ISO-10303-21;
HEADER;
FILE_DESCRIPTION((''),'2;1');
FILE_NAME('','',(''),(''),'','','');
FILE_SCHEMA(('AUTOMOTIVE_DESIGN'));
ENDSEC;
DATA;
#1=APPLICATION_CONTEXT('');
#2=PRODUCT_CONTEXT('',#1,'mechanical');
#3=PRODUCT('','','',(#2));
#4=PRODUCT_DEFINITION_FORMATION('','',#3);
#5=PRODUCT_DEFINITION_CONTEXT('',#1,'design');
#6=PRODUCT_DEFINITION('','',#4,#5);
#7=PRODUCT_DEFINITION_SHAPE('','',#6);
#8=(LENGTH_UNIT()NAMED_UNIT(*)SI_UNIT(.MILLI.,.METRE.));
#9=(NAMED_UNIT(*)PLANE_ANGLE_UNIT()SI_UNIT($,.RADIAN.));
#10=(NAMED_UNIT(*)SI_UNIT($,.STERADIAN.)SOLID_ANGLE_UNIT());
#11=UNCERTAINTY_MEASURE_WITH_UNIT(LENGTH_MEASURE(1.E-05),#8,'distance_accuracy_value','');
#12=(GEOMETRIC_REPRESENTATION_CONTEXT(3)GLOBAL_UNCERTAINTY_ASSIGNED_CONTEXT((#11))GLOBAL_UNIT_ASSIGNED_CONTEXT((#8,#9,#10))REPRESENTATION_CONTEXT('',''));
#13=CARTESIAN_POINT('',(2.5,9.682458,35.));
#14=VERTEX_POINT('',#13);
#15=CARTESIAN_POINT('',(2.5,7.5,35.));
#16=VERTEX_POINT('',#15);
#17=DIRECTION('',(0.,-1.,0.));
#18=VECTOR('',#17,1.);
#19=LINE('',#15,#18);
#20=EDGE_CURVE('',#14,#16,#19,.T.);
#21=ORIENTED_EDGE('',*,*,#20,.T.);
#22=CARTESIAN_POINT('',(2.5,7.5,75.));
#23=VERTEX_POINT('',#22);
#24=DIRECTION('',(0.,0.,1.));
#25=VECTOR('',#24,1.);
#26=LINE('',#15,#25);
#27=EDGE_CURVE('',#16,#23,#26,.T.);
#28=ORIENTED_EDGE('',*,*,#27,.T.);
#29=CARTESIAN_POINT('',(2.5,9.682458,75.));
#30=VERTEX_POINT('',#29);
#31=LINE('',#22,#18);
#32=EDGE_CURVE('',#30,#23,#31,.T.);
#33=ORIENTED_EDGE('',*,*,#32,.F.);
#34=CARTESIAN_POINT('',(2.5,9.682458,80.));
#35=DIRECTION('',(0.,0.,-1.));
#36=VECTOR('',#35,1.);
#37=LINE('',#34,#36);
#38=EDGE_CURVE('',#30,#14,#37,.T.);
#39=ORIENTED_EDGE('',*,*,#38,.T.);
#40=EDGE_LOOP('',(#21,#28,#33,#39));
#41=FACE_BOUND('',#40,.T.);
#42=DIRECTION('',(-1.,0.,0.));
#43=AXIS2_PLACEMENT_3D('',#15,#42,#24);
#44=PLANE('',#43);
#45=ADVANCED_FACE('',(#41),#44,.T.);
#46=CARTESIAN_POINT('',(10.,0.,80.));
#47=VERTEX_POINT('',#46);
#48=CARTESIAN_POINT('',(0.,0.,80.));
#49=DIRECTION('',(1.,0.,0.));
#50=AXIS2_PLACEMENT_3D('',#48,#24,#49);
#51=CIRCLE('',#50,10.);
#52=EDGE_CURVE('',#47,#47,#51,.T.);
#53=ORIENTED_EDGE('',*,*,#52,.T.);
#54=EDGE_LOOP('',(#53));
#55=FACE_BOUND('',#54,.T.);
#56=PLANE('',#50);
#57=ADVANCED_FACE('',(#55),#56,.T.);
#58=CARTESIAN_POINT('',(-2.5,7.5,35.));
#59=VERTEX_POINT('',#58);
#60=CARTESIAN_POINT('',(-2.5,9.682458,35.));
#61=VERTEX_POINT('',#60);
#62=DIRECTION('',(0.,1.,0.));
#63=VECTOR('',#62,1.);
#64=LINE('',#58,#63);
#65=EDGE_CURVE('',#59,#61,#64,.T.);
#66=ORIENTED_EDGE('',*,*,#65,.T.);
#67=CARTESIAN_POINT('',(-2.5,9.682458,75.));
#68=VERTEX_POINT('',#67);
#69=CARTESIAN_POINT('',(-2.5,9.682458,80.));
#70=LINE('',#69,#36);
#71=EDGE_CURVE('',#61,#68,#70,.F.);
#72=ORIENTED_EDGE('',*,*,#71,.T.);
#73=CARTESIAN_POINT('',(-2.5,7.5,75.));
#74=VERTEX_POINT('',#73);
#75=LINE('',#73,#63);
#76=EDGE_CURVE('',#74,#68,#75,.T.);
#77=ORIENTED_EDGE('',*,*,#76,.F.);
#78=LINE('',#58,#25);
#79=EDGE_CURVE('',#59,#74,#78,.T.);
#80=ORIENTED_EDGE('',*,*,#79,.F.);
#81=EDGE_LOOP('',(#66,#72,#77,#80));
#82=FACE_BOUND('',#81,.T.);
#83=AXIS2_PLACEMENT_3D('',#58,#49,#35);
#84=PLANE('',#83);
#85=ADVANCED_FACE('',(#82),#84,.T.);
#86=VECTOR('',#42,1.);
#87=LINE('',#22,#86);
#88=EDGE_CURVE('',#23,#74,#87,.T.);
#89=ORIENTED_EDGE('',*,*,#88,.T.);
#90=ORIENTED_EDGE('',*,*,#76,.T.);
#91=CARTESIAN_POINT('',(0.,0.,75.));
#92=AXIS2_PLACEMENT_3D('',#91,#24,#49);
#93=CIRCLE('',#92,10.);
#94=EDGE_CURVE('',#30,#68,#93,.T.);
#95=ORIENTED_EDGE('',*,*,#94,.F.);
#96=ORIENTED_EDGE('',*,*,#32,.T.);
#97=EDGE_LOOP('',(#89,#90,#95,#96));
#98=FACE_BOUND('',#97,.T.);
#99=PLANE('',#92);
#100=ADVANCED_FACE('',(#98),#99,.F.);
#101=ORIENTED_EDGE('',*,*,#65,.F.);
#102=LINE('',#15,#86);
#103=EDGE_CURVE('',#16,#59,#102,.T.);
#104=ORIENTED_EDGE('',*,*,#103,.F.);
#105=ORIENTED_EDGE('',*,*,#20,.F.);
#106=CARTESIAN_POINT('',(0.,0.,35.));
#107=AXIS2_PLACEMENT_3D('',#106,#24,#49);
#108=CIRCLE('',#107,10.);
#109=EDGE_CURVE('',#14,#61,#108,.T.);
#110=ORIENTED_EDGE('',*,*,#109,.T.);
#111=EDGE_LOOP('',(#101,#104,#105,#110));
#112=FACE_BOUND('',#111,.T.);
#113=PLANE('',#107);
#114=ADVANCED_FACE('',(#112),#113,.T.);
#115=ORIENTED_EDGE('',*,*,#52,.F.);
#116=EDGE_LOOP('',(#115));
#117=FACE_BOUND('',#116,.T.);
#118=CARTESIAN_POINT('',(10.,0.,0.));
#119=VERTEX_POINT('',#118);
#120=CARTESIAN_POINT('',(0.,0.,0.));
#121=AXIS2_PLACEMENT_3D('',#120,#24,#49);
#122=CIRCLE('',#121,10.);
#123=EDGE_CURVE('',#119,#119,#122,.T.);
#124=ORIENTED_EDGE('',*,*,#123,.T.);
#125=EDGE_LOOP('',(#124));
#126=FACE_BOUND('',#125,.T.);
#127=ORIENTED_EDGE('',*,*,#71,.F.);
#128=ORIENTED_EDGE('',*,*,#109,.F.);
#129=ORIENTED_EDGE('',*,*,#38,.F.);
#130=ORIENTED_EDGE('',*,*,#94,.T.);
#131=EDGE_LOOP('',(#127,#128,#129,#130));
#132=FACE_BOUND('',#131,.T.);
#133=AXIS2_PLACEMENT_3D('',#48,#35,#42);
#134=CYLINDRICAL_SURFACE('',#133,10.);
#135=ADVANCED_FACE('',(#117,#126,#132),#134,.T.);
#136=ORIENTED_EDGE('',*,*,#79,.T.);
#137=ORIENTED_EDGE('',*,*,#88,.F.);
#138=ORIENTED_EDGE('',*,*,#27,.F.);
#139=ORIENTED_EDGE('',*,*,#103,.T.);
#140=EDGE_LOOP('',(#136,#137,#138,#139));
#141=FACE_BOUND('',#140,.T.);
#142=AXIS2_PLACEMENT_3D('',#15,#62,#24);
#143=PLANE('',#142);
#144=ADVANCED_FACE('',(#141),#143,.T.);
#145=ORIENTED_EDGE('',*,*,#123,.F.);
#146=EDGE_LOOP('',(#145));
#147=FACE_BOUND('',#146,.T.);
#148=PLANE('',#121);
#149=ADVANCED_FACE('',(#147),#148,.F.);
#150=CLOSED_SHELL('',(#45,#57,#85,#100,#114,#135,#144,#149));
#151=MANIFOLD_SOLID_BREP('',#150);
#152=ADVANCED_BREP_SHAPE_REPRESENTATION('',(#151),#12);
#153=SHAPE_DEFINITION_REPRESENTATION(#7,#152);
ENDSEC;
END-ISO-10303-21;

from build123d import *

# Parameters (mm, degrees)
SKETCH1_R           = 10
BOSS_EXTRUDE1_DEPTH = 80
SKETCH3_W           = 5
SKETCH3_H           = 5
CUT_EXTRUDE1_DEPTH  = 40


with BuildPart() as part:
    # Sketch1 → Boss-Extrude1 (new body)
    with BuildSketch(Plane.XY):
        Circle(SKETCH1_R)
    extrude(amount=BOSS_EXTRUDE1_DEPTH)

    # Sketch3 → Cut-Extrude1 (cut)
    with BuildSketch(Plane(origin=(0, 0, 75), x_dir=(-1, 0, 0), z_dir=(0, 0, -1))):
        with Locations((0, 10)):
            Rectangle(SKETCH3_W, SKETCH3_H)
    extrude(amount=CUT_EXTRUDE1_DEPTH, mode=Mode.SUBTRACT)


solid = part.part
